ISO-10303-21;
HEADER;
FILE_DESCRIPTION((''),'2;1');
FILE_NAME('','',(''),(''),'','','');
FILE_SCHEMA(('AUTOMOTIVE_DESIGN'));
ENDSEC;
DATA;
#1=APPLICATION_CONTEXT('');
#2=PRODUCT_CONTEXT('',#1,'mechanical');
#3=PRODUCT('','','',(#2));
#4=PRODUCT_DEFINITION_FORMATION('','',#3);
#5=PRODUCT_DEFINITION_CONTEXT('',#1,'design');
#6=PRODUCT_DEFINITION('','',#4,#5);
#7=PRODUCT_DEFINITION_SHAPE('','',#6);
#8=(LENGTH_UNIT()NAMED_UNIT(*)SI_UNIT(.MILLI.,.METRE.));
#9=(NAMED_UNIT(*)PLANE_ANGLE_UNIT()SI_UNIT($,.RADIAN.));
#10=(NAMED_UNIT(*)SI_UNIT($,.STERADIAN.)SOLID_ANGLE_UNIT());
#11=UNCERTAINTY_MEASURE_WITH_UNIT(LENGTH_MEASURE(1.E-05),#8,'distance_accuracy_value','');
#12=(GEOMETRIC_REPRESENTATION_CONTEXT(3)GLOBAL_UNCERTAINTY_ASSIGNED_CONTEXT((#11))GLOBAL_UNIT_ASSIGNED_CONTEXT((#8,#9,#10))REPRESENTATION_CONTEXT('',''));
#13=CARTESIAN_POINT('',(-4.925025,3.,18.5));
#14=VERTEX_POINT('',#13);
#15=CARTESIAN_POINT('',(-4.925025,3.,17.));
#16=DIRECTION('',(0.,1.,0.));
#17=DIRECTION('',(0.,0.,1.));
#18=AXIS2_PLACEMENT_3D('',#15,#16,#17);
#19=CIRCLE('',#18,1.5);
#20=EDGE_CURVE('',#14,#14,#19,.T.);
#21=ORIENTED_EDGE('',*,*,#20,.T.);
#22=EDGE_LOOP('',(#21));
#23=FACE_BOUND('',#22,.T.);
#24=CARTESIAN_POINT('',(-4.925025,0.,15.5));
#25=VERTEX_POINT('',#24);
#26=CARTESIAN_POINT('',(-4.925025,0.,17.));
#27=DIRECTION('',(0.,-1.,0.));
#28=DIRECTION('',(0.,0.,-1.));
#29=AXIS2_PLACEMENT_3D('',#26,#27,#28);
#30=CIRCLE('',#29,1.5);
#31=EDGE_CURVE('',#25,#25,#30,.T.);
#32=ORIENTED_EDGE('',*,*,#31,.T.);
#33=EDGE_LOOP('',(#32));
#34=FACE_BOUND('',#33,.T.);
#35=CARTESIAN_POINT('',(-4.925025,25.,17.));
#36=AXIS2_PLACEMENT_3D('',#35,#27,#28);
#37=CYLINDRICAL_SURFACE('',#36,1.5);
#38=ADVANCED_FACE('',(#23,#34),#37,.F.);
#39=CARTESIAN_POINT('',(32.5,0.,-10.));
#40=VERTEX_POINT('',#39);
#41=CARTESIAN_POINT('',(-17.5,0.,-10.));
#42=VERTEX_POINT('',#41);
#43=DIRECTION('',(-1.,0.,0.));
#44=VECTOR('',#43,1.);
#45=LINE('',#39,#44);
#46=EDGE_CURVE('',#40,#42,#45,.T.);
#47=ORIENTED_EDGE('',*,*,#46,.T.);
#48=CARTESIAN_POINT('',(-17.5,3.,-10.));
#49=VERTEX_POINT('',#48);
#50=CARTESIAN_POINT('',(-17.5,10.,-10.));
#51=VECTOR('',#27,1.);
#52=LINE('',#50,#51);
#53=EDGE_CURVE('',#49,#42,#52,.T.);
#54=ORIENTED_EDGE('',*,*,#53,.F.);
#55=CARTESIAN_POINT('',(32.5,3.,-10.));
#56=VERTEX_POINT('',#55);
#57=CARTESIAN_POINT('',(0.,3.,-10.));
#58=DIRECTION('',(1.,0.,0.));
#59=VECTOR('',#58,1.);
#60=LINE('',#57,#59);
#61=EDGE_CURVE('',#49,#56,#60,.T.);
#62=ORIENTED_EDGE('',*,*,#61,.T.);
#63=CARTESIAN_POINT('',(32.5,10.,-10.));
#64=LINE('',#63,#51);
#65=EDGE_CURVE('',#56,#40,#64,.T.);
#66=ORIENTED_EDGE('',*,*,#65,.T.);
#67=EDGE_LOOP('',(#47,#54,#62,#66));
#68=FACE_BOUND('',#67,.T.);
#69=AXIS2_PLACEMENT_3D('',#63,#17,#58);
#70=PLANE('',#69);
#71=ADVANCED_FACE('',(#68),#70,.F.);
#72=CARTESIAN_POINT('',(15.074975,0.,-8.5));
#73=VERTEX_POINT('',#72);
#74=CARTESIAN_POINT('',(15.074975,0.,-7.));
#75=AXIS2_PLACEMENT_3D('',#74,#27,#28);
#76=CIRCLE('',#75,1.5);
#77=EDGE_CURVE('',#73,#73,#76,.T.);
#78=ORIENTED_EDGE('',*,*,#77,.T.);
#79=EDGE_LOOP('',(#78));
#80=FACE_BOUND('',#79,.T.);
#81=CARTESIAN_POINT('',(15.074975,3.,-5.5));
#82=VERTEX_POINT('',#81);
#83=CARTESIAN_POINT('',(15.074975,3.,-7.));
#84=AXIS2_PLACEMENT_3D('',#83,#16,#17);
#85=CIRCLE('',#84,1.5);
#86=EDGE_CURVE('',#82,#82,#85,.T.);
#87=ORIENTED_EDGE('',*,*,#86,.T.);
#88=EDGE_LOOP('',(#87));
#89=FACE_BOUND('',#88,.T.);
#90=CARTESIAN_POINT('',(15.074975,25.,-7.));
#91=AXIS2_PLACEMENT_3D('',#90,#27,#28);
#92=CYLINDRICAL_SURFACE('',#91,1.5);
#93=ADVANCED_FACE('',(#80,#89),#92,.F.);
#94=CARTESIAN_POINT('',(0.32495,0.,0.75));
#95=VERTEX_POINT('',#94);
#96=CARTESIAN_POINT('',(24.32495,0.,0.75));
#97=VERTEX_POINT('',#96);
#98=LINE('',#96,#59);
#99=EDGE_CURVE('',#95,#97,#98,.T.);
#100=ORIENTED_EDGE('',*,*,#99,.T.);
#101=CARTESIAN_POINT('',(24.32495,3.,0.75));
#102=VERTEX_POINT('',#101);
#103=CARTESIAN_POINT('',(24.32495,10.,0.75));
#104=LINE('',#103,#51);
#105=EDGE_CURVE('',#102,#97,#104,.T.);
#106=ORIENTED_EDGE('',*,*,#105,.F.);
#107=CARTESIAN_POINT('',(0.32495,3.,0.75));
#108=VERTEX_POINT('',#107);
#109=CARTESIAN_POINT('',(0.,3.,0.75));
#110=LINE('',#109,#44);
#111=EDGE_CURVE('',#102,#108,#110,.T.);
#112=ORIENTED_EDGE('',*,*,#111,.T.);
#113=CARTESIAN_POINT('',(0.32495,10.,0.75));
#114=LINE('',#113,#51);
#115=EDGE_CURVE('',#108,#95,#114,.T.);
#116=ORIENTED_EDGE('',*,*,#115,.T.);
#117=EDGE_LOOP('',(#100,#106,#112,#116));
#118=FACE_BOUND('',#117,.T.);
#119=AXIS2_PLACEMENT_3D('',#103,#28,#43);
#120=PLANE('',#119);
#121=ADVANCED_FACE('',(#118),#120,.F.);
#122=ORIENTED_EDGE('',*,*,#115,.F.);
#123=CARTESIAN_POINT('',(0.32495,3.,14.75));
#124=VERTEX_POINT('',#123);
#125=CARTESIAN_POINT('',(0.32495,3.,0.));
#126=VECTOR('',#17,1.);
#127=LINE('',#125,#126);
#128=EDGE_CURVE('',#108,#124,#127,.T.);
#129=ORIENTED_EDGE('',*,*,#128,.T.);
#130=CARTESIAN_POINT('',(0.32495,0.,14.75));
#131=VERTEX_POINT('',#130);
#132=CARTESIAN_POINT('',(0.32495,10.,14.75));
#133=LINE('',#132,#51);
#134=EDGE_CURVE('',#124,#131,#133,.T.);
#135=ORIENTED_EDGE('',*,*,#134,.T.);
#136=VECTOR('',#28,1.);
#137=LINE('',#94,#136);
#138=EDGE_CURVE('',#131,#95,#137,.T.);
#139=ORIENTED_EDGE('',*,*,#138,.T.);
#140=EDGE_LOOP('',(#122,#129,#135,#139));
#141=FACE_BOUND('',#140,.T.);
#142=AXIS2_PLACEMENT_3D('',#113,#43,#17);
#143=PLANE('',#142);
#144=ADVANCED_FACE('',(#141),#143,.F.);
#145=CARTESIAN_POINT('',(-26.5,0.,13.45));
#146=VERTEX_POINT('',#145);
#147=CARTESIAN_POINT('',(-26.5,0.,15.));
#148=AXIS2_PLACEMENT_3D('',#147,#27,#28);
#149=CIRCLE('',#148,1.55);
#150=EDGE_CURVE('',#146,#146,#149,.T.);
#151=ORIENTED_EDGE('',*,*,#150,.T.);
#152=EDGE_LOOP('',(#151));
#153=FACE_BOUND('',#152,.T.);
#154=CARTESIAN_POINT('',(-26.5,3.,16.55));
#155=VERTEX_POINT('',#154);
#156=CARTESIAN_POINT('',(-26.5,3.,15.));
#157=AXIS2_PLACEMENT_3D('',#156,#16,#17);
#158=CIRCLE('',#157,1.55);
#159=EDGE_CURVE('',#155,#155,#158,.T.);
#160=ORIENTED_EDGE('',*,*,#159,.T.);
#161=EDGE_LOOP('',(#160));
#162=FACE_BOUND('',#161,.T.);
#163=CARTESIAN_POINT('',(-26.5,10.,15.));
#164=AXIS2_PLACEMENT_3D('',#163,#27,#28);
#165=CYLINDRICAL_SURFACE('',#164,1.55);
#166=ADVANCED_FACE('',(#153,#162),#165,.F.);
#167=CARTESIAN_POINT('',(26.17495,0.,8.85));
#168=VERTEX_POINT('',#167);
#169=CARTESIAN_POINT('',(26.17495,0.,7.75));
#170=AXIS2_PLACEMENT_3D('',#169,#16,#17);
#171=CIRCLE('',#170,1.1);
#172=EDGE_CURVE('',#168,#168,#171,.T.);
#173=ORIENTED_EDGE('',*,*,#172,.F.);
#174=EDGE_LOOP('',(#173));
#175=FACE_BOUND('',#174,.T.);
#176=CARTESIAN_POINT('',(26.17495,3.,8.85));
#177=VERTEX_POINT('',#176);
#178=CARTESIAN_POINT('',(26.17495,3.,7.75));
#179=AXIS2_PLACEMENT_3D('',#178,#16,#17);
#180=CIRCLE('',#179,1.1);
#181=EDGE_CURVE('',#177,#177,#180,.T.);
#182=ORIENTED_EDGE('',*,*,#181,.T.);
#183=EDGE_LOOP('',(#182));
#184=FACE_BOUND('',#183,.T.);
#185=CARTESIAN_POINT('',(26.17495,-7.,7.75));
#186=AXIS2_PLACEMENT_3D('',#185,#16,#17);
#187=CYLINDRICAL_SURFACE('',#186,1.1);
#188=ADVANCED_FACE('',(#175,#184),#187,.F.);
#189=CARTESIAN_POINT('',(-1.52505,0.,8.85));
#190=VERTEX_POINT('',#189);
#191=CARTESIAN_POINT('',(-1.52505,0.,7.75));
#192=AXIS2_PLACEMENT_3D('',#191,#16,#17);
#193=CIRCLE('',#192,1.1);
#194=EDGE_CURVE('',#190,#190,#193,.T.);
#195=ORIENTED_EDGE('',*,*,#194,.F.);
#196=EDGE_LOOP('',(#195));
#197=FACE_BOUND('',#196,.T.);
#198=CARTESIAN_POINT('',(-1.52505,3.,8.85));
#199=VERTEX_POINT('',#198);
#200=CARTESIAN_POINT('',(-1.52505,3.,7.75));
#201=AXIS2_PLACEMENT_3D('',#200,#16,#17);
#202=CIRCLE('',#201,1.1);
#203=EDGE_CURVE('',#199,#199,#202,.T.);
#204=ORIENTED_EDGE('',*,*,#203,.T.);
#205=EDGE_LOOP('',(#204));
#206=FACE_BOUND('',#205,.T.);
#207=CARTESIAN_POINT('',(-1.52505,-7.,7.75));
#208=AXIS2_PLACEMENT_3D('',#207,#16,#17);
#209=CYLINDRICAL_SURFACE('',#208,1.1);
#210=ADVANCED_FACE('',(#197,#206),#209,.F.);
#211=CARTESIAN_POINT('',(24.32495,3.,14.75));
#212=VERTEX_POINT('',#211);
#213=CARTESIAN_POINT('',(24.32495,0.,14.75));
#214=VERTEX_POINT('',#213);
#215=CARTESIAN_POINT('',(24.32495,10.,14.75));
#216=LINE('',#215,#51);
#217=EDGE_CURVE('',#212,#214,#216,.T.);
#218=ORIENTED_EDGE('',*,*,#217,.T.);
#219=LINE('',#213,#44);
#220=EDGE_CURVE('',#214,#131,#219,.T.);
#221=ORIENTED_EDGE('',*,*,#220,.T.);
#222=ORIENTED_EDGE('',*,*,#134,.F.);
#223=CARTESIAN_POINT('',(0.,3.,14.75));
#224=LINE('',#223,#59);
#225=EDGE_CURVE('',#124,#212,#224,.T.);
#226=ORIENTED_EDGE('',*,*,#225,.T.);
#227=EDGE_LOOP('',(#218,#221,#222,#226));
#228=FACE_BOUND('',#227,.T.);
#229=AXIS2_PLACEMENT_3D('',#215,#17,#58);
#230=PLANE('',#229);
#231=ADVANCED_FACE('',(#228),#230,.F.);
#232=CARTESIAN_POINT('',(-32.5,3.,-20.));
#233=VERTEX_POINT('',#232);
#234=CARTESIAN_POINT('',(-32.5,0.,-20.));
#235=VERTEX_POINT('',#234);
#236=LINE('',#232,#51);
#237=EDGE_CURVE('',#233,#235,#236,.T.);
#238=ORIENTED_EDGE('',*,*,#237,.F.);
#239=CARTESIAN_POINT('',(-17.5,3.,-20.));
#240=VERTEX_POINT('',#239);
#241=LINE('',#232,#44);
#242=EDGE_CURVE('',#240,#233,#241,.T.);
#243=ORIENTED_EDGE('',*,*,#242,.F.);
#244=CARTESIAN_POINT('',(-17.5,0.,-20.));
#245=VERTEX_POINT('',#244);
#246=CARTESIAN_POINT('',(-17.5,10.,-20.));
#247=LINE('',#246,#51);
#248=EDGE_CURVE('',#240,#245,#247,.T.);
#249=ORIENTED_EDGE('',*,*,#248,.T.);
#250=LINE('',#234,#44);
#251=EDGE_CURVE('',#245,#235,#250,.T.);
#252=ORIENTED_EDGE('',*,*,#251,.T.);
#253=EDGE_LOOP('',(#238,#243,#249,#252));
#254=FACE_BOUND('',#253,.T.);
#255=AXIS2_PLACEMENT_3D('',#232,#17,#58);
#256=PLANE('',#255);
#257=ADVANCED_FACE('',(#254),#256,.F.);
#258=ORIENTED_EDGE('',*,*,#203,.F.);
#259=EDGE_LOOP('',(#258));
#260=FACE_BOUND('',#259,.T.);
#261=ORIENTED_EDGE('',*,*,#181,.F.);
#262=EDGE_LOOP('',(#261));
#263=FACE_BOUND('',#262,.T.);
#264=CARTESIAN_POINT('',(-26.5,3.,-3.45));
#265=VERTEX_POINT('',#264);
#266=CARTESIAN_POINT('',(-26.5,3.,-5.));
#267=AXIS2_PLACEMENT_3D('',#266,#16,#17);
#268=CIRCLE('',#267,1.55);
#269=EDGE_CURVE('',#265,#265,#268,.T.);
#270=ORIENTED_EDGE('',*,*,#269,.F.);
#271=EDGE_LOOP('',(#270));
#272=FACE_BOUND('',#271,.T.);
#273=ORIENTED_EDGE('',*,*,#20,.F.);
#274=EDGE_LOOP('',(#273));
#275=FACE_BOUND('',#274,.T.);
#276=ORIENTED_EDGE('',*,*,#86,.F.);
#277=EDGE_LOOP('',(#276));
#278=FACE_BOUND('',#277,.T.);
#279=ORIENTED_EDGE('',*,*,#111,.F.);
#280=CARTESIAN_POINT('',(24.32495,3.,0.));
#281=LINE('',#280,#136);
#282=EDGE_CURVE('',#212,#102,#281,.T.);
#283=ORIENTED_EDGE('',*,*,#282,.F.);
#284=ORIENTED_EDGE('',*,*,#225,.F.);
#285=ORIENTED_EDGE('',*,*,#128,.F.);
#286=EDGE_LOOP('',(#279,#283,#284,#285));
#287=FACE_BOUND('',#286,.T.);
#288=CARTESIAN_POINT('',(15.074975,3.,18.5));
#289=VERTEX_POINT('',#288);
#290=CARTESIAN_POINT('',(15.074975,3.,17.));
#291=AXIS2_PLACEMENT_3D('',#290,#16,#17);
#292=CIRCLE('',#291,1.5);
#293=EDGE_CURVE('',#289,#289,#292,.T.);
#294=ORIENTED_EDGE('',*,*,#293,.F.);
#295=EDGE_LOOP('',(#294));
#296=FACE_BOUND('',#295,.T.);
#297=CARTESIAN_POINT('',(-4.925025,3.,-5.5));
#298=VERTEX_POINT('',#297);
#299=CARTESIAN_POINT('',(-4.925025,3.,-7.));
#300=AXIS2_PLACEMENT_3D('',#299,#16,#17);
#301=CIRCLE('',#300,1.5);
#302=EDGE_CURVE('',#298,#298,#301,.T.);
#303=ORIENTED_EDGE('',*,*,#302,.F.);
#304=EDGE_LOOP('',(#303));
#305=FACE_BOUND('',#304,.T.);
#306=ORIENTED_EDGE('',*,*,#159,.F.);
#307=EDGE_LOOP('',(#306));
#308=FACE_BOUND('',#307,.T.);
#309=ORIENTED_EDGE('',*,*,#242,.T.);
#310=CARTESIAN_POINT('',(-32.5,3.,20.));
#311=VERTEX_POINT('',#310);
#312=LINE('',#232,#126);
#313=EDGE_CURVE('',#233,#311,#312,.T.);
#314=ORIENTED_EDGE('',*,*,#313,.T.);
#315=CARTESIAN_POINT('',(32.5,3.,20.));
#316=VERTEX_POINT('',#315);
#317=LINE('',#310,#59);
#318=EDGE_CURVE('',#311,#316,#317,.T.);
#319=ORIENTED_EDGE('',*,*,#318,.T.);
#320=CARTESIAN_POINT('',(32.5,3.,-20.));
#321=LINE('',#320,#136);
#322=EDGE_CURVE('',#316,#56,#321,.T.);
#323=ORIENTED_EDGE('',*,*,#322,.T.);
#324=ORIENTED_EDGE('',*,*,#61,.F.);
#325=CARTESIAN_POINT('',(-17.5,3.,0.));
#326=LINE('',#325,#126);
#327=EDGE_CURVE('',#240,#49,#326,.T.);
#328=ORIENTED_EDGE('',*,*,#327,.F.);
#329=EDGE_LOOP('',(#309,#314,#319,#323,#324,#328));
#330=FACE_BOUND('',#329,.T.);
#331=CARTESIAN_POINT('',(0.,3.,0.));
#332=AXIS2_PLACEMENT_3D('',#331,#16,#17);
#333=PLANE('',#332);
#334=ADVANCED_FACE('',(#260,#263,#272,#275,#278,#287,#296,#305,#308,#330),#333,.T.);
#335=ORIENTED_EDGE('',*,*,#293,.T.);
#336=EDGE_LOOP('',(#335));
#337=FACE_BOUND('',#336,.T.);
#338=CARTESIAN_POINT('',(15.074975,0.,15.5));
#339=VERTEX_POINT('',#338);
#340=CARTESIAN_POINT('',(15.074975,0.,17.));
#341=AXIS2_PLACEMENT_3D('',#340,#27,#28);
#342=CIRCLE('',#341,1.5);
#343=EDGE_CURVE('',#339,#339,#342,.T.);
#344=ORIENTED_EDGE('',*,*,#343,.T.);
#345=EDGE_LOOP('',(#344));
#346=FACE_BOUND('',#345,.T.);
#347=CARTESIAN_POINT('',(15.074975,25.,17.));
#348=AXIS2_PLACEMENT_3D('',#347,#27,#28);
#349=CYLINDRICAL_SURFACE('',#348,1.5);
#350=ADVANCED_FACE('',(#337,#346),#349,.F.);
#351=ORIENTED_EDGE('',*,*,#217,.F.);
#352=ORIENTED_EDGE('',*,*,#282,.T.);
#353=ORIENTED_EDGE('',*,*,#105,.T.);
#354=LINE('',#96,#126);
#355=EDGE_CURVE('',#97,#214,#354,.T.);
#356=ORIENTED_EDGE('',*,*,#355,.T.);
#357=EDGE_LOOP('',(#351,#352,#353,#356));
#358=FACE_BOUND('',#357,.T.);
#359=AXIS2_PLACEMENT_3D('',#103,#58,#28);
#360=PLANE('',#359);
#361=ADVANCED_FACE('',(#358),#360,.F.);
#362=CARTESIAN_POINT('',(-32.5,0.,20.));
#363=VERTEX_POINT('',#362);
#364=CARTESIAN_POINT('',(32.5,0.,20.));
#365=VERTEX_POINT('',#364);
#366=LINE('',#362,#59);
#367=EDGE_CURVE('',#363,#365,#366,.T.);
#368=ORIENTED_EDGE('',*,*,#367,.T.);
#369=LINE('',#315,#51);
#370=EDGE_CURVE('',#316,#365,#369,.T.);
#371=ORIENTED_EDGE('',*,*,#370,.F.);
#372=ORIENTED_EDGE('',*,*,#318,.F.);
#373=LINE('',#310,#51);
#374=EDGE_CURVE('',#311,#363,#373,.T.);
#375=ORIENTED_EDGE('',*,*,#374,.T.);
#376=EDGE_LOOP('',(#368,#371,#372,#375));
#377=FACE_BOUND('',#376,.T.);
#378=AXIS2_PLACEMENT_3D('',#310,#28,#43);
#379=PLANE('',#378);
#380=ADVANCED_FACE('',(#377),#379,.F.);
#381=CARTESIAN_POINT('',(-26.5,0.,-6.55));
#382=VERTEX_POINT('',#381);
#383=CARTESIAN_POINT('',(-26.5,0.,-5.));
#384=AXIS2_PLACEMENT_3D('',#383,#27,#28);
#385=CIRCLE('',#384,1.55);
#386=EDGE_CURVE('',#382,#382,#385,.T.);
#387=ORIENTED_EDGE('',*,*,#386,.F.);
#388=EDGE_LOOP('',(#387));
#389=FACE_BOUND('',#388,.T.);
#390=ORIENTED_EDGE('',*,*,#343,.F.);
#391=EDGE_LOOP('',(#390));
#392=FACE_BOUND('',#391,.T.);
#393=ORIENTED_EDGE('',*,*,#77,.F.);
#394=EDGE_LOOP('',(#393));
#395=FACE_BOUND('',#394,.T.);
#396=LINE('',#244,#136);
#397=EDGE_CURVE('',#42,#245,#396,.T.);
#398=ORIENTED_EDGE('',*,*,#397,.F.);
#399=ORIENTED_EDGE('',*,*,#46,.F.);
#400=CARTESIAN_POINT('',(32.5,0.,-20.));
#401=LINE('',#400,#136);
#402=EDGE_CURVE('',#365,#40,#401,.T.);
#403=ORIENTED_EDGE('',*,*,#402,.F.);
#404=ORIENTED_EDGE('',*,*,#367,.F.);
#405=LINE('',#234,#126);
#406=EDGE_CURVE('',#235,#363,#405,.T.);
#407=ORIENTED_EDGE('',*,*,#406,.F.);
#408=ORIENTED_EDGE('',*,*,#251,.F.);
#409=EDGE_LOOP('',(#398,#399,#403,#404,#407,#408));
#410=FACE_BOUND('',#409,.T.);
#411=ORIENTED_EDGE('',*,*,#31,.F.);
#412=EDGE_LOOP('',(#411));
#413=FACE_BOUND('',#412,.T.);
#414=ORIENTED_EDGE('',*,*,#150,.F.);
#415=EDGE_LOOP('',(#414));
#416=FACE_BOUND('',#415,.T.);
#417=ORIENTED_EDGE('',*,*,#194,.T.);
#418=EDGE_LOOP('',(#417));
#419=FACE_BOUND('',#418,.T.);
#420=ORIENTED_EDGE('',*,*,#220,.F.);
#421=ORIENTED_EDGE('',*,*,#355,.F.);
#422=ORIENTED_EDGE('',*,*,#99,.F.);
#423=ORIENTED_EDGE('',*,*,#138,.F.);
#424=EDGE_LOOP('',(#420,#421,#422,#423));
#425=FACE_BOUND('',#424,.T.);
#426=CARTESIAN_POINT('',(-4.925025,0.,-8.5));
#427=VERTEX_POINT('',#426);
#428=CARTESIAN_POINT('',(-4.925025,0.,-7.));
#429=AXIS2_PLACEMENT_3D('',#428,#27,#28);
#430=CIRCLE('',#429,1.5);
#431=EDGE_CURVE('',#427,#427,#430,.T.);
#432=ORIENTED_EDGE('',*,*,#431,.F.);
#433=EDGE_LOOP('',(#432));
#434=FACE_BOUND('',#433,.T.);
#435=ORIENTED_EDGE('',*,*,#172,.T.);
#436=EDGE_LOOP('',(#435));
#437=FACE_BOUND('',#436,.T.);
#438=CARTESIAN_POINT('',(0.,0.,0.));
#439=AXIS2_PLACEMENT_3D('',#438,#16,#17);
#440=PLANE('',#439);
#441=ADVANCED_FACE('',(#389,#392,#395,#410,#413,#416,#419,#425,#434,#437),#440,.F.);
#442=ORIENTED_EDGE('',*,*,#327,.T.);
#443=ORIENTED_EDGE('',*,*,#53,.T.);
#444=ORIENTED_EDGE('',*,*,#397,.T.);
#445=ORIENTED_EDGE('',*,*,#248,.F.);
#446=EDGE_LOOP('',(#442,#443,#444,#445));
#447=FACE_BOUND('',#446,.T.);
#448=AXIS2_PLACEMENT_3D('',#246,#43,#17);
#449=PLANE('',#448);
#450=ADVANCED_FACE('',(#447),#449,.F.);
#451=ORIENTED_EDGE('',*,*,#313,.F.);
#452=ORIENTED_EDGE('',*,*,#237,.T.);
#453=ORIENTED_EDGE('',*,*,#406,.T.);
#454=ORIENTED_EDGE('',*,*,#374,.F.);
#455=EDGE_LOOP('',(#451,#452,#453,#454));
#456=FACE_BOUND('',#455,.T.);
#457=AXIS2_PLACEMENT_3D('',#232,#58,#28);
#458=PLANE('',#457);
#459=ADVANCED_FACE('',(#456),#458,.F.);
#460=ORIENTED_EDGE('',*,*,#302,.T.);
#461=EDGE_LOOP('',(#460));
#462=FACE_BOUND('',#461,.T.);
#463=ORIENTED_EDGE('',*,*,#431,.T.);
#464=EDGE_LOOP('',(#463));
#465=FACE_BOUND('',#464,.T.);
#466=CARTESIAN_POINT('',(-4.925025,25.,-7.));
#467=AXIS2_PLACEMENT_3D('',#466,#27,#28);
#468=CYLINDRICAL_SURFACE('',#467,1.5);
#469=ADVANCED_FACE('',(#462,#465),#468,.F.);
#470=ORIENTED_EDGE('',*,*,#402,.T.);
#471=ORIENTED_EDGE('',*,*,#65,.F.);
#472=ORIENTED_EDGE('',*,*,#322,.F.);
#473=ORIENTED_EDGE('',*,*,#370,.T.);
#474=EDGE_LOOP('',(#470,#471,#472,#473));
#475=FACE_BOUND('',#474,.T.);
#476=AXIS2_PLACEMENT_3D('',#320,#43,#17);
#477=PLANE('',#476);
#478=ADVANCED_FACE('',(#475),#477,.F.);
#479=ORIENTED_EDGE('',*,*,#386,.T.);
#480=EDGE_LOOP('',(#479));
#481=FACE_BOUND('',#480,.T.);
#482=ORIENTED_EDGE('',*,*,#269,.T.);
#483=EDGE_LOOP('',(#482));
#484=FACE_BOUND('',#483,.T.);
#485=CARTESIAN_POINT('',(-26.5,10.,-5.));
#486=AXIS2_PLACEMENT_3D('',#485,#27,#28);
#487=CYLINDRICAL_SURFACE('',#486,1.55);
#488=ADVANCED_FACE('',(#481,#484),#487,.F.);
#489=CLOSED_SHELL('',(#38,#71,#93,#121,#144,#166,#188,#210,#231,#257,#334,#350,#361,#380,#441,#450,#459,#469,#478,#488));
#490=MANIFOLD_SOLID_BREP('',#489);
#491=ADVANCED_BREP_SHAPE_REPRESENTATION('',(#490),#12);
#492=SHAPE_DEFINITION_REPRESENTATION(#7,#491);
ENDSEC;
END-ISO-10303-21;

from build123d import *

# Parameters (mm, degrees)
SKETCH_1_W          = 65
SKETCH_1_H          = 40
EXTRUDE_1_DEPTH     = 3
SKETCH_2_R          = 1.55
CUT_EXTRUDE_1_DEPTH = 10
SKETCH_3_W          = 50
SKETCH_3_H          = 10
CUT_EXTRUDE_2_DEPTH = 10
SKETCH_4_W          = 24
SKETCH_4_H          = 14
CUT_EXTRUDE_3_DEPTH = 10
SKETCH_5_R          = 1.1
CUT_EXTRUDE_4_DEPTH = 10
SKETCH_6_R          = 1.5
CUT_EXTRUDE_5_DEPTH = 25


with BuildPart() as part:
    # 草图1 → 凸台-拉伸1 (new body)
    with BuildSketch(Plane(origin=(0, 0, 0), x_dir=(1, 0, 0), z_dir=(0, 1, 0))):
        Rectangle(SKETCH_1_W, SKETCH_1_H)
    extrude(amount=EXTRUDE_1_DEPTH)

    # 草图2 → 切除-拉伸1 (cut)
    with BuildSketch(Plane(origin=(0, 0, 0), x_dir=(-1, 0, 0), z_dir=(0, -1, 0))):
        with Locations(Location((26.5, -15, 0), (0, 0, 90))):
            Circle(SKETCH_2_R)
        with Locations(Location((26.5, 5, 0), (0, 0, 90))):
            Circle(SKETCH_2_R)
    extrude(amount=-CUT_EXTRUDE_1_DEPTH, mode=Mode.SUBTRACT)

    # 草图3 → 切除-拉伸2 (cut)
    with BuildSketch(Plane(origin=(0, 0, 0), x_dir=(-1, 0, 0), z_dir=(0, -1, 0))):
        with Locations((-7.5, 15)):
            Rectangle(SKETCH_3_W, SKETCH_3_H)
    extrude(amount=-CUT_EXTRUDE_2_DEPTH, mode=Mode.SUBTRACT)

    # 草图4 → 切除-拉伸3 (cut)
    with BuildSketch(Plane(origin=(0, 0, 0), x_dir=(-1, 0, 0), z_dir=(0, -1, 0))):
        with Locations((-12.32495, -7.75)):
            Rectangle(SKETCH_4_W, SKETCH_4_H)
    extrude(amount=-CUT_EXTRUDE_3_DEPTH, mode=Mode.SUBTRACT)

    # 草图5 → 切除-拉伸4 (cut)
    with BuildSketch(Plane(origin=(0, 3, 0), x_dir=(1, 0, 0), z_dir=(0, 1, 0))):
        with Locations(Location((26.17495, -7.75, 0), (0, 0, 270))):
            Circle(SKETCH_5_R)
        with Locations(Location((-1.52505, -7.75, 0), (0, 0, 270))):
            Circle(SKETCH_5_R)
    extrude(amount=-CUT_EXTRUDE_4_DEPTH, mode=Mode.SUBTRACT)

    # 草图6 → 切除-拉伸5 (cut)
    with BuildSketch(Plane(origin=(0, 0, 0), x_dir=(-1, 0, 0), z_dir=(0, -1, 0))):
        with Locations(Location((-15.074975, -17, 0), (0, 0, 90))):
            Circle(SKETCH_6_R)
        with Locations(Location((4.925025, -17, 0), (0, 0, 90))):
            Circle(SKETCH_6_R)
        with Locations(Location((-15.074975, 7, 0), (0, 0, 90))):
            Circle(SKETCH_6_R)
        with Locations(Location((4.925025, 7, 0), (0, 0, 90))):
            Circle(SKETCH_6_R)
    extrude(amount=-CUT_EXTRUDE_5_DEPTH, mode=Mode.SUBTRACT)


solid = part.part
